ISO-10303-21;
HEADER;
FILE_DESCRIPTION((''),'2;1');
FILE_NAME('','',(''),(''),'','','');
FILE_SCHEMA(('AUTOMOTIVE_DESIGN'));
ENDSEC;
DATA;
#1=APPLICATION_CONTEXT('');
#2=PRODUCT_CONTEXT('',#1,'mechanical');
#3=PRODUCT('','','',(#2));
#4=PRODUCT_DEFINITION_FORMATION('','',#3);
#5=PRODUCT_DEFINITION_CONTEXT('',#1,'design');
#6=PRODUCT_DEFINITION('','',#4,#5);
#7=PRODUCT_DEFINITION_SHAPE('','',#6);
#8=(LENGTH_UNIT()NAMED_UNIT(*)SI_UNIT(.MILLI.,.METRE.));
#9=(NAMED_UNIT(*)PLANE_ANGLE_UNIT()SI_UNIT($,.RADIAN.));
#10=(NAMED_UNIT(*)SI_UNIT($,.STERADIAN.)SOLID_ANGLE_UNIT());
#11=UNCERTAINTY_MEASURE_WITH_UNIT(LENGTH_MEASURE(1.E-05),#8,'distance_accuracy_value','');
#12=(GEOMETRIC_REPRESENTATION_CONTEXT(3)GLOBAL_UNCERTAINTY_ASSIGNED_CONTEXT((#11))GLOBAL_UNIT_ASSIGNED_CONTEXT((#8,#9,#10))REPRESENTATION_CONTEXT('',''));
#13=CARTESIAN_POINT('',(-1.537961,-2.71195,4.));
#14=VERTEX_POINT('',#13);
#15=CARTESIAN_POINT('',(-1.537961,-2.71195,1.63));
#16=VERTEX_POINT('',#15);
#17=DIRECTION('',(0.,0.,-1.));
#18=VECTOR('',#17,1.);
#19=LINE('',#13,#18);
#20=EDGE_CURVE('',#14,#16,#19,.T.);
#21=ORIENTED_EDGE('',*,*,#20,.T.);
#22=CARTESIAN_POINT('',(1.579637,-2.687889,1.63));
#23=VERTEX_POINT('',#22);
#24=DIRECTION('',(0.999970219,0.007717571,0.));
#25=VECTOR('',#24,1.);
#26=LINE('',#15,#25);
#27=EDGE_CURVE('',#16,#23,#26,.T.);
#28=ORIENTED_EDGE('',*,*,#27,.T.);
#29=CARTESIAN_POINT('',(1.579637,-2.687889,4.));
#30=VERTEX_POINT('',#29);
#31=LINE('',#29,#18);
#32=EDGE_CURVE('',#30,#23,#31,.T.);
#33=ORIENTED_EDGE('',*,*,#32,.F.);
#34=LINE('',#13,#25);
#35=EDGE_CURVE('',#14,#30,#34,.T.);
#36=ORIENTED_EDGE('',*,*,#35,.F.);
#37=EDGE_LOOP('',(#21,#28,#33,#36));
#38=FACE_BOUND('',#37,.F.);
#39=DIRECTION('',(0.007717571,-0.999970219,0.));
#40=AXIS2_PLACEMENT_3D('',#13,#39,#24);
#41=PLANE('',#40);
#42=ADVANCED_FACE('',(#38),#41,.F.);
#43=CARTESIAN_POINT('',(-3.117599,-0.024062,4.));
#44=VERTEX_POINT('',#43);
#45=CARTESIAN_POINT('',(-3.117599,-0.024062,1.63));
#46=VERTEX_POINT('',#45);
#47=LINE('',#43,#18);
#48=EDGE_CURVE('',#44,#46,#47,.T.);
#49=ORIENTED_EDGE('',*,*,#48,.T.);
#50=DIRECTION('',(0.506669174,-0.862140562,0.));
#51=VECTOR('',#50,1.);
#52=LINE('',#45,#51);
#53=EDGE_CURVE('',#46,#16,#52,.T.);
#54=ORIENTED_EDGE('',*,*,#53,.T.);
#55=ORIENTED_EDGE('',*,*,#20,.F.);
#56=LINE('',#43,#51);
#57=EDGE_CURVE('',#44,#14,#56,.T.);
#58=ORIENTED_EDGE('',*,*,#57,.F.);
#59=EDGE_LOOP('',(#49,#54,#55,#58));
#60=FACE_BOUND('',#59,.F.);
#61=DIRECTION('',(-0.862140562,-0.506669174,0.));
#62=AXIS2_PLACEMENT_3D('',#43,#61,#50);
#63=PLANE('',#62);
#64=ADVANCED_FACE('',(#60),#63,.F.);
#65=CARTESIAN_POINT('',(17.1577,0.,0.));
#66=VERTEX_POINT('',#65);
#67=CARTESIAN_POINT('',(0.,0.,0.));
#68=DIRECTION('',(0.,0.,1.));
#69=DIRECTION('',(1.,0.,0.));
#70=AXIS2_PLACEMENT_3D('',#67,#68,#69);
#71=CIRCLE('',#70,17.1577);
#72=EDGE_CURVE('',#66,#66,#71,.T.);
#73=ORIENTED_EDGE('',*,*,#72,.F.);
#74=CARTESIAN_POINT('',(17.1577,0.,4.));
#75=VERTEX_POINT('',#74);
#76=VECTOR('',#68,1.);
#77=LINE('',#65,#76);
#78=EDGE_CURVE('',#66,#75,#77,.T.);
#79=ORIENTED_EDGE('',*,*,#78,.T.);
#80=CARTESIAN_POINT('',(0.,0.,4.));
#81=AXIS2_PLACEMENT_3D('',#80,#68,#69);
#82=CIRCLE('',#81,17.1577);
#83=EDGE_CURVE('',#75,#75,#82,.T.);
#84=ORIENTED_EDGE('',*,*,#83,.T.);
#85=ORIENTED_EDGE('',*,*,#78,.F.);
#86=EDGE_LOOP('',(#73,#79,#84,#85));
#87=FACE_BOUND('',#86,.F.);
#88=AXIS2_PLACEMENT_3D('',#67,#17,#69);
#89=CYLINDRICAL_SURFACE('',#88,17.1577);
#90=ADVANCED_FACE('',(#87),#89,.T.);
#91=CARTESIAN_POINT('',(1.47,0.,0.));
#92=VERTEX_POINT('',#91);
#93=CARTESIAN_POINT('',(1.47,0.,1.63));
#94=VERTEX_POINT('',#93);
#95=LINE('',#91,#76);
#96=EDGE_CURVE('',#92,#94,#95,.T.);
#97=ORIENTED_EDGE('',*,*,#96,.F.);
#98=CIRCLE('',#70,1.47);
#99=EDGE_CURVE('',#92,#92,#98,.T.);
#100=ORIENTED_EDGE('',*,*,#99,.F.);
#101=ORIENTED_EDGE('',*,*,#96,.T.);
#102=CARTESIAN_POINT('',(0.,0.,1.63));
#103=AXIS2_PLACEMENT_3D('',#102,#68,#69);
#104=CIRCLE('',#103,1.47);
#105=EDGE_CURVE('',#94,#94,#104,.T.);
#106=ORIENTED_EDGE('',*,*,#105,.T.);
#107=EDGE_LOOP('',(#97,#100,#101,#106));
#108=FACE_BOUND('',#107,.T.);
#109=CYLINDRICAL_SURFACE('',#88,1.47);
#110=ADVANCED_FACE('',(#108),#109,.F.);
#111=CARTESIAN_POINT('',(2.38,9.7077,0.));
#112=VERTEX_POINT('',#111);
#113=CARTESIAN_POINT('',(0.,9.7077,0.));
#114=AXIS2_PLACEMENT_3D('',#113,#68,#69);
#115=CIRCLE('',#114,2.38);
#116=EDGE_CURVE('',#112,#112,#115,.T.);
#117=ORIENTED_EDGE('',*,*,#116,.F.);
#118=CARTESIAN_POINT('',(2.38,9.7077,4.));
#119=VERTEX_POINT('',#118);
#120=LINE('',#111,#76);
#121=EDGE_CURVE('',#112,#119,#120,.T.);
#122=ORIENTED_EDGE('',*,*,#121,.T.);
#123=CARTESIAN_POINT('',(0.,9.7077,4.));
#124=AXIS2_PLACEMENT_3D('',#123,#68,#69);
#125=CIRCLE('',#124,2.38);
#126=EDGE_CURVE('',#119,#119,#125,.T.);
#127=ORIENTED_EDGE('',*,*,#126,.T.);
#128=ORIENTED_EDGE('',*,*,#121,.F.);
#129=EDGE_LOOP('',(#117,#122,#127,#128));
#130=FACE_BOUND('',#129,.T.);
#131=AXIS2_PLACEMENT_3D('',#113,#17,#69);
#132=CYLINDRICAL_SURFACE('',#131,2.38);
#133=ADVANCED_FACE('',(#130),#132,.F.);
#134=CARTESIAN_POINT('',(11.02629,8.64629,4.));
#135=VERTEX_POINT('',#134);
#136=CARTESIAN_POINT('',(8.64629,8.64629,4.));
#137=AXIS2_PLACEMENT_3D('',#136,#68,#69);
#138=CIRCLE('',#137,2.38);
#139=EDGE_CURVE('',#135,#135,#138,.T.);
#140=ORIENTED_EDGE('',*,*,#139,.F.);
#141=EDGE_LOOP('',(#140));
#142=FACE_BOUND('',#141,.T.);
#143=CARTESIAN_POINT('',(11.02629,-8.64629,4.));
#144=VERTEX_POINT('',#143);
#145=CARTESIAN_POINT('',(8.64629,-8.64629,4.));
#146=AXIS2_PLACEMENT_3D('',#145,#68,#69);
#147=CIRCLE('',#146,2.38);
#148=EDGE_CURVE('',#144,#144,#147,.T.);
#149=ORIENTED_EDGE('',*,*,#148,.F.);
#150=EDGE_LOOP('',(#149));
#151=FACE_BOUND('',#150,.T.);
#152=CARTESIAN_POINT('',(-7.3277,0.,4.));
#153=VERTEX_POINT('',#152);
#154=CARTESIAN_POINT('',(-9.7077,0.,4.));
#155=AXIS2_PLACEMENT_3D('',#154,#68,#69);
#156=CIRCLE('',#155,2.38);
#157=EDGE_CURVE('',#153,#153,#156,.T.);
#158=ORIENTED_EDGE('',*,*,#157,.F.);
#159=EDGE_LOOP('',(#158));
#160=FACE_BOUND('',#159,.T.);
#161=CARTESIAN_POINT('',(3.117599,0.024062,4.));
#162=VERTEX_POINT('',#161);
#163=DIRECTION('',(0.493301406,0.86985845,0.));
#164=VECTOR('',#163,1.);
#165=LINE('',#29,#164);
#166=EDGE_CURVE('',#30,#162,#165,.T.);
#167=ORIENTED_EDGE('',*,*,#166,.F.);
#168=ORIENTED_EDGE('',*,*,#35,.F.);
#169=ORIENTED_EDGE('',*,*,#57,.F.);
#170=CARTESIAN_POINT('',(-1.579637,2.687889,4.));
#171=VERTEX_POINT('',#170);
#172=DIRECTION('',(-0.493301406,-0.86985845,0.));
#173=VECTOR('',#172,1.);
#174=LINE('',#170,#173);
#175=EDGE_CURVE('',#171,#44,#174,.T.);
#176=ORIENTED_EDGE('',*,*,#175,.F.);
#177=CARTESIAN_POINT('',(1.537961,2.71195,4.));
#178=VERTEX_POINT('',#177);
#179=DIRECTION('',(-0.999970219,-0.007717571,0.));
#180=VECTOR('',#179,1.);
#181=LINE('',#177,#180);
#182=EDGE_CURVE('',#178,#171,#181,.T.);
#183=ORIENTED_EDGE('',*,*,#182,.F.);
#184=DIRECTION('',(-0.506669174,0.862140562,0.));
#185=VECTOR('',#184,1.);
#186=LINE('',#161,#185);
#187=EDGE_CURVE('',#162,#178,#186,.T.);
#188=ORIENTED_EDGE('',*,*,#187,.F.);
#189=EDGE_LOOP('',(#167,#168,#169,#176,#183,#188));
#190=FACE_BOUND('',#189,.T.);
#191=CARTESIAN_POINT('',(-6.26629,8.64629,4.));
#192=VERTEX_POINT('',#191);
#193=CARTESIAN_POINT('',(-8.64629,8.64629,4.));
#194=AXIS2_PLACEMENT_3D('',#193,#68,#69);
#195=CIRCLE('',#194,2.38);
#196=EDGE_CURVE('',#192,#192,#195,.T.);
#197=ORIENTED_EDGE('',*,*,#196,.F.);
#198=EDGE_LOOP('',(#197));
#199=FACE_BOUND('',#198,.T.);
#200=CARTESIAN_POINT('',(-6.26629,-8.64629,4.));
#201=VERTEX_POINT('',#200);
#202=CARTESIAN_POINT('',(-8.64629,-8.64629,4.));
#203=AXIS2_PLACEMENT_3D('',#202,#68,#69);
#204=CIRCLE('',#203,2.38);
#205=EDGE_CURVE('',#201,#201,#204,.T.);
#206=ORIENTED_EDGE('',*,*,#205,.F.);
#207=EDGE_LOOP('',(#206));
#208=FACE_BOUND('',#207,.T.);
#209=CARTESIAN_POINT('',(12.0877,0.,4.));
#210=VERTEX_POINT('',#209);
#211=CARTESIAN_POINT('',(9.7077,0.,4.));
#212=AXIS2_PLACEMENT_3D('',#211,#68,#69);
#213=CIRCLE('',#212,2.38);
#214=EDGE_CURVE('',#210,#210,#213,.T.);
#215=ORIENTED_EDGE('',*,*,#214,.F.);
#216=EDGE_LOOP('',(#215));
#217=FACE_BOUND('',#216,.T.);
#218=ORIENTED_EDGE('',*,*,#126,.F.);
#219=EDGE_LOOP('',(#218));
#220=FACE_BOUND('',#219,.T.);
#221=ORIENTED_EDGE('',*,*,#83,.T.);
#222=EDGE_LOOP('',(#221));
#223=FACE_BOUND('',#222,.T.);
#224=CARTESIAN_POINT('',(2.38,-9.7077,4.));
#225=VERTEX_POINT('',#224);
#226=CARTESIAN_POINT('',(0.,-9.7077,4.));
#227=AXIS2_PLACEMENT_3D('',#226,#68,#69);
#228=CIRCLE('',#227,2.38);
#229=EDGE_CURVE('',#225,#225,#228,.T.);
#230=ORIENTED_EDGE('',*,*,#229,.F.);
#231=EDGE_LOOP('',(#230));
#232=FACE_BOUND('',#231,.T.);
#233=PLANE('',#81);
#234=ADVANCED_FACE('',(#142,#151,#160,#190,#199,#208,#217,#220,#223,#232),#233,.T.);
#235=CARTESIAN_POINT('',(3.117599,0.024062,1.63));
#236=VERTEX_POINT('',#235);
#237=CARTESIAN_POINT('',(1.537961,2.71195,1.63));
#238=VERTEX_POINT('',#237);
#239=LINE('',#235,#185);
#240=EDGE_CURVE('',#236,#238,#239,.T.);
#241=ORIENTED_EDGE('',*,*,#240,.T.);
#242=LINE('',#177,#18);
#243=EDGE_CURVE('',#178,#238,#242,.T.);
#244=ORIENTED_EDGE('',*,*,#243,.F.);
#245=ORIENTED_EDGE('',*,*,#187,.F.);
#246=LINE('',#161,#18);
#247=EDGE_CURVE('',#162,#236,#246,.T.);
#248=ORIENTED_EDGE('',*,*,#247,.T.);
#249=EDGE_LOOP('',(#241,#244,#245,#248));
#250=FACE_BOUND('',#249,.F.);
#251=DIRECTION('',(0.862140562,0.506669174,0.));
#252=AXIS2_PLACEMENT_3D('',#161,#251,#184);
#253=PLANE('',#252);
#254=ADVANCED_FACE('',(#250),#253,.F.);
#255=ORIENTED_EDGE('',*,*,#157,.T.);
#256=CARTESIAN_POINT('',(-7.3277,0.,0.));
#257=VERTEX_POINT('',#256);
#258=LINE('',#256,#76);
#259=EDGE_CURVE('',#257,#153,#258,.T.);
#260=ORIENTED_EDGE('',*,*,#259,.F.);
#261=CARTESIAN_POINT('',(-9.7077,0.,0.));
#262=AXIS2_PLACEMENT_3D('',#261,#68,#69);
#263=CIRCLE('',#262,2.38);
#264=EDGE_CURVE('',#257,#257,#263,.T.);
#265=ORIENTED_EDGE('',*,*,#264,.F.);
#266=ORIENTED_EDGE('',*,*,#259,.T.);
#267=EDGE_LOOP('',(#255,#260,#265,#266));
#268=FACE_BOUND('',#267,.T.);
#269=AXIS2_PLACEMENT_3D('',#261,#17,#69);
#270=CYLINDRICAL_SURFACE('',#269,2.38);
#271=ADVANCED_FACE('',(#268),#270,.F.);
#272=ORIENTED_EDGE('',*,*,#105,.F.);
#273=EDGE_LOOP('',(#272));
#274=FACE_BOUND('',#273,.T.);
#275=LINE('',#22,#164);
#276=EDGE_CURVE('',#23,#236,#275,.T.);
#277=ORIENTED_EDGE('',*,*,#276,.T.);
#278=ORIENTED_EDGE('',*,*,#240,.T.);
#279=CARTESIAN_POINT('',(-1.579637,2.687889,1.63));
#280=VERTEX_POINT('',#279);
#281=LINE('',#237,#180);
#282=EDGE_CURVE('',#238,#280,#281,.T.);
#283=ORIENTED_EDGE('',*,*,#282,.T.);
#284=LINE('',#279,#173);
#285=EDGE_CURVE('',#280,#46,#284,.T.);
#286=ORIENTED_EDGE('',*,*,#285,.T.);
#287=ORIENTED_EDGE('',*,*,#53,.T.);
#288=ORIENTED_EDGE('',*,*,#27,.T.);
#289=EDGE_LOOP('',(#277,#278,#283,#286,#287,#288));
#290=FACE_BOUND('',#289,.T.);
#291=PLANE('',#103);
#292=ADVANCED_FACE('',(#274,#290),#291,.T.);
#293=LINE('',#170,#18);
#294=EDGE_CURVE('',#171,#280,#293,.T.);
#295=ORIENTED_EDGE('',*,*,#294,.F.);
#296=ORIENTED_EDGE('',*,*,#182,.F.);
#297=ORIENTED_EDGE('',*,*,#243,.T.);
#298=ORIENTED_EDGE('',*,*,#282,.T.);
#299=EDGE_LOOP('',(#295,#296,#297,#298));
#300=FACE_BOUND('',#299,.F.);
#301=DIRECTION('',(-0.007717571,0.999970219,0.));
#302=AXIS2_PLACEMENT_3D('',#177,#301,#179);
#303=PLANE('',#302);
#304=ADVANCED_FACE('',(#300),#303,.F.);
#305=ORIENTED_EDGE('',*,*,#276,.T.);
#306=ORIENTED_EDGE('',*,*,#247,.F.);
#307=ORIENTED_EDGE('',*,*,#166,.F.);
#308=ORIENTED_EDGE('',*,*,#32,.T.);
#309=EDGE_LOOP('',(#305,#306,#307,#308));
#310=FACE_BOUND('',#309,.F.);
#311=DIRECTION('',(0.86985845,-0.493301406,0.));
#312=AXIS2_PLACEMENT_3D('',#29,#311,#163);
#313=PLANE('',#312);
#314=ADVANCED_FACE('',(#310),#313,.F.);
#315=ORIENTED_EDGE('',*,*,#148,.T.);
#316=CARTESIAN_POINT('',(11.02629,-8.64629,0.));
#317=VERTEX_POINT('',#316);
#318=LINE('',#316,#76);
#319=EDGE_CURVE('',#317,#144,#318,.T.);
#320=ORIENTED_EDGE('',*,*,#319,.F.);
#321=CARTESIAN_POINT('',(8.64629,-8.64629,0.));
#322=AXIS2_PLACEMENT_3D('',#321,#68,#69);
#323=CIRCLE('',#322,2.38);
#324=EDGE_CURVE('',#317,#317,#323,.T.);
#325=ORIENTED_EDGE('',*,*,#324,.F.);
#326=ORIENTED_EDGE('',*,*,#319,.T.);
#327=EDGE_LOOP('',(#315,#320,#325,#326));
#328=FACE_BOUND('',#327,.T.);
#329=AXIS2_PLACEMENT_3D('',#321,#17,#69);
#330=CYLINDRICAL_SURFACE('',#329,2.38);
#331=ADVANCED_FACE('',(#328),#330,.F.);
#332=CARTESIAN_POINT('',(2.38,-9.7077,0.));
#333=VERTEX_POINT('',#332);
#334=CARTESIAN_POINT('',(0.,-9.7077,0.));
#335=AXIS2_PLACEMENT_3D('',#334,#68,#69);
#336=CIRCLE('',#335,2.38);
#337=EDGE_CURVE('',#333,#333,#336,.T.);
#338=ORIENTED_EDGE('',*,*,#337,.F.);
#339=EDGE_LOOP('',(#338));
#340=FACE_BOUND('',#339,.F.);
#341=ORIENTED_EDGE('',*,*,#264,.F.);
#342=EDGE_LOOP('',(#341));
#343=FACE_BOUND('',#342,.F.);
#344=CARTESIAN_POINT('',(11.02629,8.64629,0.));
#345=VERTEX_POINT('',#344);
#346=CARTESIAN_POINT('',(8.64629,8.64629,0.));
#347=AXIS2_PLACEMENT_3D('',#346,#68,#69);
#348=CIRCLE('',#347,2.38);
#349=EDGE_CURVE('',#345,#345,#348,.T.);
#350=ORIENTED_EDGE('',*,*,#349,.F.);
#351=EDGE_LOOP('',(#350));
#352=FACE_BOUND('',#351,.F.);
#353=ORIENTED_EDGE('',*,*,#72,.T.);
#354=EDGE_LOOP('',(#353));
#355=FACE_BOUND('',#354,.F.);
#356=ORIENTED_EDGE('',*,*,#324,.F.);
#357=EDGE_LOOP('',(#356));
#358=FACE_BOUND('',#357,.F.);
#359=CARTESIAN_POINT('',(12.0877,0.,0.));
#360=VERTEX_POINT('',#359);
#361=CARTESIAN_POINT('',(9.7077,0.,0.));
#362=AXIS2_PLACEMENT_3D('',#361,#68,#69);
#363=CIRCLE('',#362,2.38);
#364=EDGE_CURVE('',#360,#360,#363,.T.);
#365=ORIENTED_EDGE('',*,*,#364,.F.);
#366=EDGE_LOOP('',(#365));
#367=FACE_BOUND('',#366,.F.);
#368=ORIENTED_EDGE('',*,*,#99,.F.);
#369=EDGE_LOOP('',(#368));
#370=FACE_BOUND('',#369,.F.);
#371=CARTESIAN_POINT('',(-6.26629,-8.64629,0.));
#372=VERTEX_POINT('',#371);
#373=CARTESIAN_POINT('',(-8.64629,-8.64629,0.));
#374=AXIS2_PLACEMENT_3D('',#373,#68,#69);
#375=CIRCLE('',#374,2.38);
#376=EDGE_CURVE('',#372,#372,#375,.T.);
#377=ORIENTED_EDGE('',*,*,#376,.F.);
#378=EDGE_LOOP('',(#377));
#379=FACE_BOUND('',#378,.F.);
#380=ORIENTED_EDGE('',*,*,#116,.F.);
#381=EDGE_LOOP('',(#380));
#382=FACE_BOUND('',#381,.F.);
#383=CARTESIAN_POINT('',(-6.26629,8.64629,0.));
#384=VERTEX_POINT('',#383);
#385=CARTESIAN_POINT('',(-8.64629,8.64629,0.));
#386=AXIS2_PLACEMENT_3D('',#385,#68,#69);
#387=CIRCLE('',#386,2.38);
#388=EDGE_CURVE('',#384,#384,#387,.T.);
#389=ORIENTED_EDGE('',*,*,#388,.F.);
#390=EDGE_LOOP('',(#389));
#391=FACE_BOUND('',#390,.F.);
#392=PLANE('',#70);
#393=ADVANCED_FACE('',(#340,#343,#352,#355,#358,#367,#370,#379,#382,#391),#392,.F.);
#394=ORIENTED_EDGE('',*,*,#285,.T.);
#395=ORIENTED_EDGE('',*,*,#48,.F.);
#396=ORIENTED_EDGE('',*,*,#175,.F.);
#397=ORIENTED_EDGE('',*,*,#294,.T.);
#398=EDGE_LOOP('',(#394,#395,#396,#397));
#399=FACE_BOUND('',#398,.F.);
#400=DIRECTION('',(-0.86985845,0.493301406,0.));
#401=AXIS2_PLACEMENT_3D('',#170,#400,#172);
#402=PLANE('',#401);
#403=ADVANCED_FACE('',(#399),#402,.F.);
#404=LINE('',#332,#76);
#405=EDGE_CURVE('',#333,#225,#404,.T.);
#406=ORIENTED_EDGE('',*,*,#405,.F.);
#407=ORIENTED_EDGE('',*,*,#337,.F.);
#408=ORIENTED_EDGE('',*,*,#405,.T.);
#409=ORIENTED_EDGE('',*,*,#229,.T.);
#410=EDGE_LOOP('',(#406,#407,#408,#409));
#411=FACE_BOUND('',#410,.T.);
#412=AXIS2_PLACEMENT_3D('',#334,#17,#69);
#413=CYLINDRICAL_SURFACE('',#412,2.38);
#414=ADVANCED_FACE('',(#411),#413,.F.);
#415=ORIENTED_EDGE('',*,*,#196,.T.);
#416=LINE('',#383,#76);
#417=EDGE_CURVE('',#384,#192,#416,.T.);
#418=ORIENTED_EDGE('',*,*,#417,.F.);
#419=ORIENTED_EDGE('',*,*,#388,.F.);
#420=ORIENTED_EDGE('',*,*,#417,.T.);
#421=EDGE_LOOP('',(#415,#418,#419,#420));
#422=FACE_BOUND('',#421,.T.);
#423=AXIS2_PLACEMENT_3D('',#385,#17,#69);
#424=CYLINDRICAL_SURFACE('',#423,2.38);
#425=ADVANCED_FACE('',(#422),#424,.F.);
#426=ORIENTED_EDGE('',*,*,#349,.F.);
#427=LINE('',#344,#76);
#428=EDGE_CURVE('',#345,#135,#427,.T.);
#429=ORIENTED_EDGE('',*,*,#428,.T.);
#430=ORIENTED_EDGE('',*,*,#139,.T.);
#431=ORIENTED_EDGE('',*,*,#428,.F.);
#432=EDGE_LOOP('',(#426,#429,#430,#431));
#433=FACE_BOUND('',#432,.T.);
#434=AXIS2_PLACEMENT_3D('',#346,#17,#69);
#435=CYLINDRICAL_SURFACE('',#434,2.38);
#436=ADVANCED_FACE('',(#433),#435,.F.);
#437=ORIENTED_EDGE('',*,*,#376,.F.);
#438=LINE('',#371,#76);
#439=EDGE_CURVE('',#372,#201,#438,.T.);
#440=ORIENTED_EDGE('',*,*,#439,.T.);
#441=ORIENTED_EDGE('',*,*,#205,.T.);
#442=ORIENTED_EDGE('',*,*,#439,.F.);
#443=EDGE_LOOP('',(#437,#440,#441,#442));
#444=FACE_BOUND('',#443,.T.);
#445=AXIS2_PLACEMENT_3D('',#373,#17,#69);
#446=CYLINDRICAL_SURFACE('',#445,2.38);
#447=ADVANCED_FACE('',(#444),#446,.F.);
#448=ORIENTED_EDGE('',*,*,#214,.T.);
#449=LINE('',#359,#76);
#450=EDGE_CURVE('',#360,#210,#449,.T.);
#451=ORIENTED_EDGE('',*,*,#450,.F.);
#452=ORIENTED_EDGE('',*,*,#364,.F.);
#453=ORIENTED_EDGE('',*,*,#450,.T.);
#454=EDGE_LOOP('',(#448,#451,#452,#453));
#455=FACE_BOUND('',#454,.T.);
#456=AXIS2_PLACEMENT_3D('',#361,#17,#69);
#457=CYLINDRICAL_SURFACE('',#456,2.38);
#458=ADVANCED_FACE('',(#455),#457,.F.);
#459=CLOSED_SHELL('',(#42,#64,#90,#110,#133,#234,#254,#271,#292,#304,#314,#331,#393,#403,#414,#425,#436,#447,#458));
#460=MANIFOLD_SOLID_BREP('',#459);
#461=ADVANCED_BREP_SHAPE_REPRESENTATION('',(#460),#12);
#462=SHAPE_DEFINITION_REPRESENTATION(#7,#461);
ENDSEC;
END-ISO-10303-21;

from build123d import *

# Parameters (mm, degrees)
F0_R     = 17.1577
F0_R_2   = 2.38
F0_R_3   = 1.47
F1_DEPTH = 4
F2_R     = 1.47
F3_DEPTH = 2.37


with BuildPart() as f1:
    # F0 (on Top) → F1 (new body)
    with BuildSketch(Plane.XY):
        Circle(F0_R)
        with Locations((-8.64629, -8.64629)):
            Circle(F0_R_2, mode=Mode.SUBTRACT)
        with Locations((0, -9.7077)):
            Circle(F0_R_2, mode=Mode.SUBTRACT)
        with Locations((8.64629, -8.64629)):
            Circle(F0_R_2, mode=Mode.SUBTRACT)
        with Locations((-9.7077, 0)):
            Circle(F0_R_2, mode=Mode.SUBTRACT)
        with Locations((-8.64629, 8.64629)):
            Circle(F0_R_2, mode=Mode.SUBTRACT)
        Circle(F0_R_3, mode=Mode.SUBTRACT)
        with Locations((9.7077, 0)):
            Circle(F0_R_2, mode=Mode.SUBTRACT)
        with Locations((0, 9.7077)):
            Circle(F0_R_2, mode=Mode.SUBTRACT)
        with Locations((8.64629, 8.64629)):
            Circle(F0_R_2, mode=Mode.SUBTRACT)
    extrude(amount=F1_DEPTH)

    # F2 (on face) → F3 (cut)
    with BuildSketch(Plane.XY.offset(4)):
        Polygon((3.117599, 0.024062), (1.537961, 2.71195), (-1.579637, 2.687889), (-3.117599, -0.024062), (-1.537961, -2.71195), (1.579637, -2.687889), align=None)
        Circle(F2_R, mode=Mode.SUBTRACT)
    extrude(amount=-F3_DEPTH, mode=Mode.SUBTRACT)


solid = f1.part
